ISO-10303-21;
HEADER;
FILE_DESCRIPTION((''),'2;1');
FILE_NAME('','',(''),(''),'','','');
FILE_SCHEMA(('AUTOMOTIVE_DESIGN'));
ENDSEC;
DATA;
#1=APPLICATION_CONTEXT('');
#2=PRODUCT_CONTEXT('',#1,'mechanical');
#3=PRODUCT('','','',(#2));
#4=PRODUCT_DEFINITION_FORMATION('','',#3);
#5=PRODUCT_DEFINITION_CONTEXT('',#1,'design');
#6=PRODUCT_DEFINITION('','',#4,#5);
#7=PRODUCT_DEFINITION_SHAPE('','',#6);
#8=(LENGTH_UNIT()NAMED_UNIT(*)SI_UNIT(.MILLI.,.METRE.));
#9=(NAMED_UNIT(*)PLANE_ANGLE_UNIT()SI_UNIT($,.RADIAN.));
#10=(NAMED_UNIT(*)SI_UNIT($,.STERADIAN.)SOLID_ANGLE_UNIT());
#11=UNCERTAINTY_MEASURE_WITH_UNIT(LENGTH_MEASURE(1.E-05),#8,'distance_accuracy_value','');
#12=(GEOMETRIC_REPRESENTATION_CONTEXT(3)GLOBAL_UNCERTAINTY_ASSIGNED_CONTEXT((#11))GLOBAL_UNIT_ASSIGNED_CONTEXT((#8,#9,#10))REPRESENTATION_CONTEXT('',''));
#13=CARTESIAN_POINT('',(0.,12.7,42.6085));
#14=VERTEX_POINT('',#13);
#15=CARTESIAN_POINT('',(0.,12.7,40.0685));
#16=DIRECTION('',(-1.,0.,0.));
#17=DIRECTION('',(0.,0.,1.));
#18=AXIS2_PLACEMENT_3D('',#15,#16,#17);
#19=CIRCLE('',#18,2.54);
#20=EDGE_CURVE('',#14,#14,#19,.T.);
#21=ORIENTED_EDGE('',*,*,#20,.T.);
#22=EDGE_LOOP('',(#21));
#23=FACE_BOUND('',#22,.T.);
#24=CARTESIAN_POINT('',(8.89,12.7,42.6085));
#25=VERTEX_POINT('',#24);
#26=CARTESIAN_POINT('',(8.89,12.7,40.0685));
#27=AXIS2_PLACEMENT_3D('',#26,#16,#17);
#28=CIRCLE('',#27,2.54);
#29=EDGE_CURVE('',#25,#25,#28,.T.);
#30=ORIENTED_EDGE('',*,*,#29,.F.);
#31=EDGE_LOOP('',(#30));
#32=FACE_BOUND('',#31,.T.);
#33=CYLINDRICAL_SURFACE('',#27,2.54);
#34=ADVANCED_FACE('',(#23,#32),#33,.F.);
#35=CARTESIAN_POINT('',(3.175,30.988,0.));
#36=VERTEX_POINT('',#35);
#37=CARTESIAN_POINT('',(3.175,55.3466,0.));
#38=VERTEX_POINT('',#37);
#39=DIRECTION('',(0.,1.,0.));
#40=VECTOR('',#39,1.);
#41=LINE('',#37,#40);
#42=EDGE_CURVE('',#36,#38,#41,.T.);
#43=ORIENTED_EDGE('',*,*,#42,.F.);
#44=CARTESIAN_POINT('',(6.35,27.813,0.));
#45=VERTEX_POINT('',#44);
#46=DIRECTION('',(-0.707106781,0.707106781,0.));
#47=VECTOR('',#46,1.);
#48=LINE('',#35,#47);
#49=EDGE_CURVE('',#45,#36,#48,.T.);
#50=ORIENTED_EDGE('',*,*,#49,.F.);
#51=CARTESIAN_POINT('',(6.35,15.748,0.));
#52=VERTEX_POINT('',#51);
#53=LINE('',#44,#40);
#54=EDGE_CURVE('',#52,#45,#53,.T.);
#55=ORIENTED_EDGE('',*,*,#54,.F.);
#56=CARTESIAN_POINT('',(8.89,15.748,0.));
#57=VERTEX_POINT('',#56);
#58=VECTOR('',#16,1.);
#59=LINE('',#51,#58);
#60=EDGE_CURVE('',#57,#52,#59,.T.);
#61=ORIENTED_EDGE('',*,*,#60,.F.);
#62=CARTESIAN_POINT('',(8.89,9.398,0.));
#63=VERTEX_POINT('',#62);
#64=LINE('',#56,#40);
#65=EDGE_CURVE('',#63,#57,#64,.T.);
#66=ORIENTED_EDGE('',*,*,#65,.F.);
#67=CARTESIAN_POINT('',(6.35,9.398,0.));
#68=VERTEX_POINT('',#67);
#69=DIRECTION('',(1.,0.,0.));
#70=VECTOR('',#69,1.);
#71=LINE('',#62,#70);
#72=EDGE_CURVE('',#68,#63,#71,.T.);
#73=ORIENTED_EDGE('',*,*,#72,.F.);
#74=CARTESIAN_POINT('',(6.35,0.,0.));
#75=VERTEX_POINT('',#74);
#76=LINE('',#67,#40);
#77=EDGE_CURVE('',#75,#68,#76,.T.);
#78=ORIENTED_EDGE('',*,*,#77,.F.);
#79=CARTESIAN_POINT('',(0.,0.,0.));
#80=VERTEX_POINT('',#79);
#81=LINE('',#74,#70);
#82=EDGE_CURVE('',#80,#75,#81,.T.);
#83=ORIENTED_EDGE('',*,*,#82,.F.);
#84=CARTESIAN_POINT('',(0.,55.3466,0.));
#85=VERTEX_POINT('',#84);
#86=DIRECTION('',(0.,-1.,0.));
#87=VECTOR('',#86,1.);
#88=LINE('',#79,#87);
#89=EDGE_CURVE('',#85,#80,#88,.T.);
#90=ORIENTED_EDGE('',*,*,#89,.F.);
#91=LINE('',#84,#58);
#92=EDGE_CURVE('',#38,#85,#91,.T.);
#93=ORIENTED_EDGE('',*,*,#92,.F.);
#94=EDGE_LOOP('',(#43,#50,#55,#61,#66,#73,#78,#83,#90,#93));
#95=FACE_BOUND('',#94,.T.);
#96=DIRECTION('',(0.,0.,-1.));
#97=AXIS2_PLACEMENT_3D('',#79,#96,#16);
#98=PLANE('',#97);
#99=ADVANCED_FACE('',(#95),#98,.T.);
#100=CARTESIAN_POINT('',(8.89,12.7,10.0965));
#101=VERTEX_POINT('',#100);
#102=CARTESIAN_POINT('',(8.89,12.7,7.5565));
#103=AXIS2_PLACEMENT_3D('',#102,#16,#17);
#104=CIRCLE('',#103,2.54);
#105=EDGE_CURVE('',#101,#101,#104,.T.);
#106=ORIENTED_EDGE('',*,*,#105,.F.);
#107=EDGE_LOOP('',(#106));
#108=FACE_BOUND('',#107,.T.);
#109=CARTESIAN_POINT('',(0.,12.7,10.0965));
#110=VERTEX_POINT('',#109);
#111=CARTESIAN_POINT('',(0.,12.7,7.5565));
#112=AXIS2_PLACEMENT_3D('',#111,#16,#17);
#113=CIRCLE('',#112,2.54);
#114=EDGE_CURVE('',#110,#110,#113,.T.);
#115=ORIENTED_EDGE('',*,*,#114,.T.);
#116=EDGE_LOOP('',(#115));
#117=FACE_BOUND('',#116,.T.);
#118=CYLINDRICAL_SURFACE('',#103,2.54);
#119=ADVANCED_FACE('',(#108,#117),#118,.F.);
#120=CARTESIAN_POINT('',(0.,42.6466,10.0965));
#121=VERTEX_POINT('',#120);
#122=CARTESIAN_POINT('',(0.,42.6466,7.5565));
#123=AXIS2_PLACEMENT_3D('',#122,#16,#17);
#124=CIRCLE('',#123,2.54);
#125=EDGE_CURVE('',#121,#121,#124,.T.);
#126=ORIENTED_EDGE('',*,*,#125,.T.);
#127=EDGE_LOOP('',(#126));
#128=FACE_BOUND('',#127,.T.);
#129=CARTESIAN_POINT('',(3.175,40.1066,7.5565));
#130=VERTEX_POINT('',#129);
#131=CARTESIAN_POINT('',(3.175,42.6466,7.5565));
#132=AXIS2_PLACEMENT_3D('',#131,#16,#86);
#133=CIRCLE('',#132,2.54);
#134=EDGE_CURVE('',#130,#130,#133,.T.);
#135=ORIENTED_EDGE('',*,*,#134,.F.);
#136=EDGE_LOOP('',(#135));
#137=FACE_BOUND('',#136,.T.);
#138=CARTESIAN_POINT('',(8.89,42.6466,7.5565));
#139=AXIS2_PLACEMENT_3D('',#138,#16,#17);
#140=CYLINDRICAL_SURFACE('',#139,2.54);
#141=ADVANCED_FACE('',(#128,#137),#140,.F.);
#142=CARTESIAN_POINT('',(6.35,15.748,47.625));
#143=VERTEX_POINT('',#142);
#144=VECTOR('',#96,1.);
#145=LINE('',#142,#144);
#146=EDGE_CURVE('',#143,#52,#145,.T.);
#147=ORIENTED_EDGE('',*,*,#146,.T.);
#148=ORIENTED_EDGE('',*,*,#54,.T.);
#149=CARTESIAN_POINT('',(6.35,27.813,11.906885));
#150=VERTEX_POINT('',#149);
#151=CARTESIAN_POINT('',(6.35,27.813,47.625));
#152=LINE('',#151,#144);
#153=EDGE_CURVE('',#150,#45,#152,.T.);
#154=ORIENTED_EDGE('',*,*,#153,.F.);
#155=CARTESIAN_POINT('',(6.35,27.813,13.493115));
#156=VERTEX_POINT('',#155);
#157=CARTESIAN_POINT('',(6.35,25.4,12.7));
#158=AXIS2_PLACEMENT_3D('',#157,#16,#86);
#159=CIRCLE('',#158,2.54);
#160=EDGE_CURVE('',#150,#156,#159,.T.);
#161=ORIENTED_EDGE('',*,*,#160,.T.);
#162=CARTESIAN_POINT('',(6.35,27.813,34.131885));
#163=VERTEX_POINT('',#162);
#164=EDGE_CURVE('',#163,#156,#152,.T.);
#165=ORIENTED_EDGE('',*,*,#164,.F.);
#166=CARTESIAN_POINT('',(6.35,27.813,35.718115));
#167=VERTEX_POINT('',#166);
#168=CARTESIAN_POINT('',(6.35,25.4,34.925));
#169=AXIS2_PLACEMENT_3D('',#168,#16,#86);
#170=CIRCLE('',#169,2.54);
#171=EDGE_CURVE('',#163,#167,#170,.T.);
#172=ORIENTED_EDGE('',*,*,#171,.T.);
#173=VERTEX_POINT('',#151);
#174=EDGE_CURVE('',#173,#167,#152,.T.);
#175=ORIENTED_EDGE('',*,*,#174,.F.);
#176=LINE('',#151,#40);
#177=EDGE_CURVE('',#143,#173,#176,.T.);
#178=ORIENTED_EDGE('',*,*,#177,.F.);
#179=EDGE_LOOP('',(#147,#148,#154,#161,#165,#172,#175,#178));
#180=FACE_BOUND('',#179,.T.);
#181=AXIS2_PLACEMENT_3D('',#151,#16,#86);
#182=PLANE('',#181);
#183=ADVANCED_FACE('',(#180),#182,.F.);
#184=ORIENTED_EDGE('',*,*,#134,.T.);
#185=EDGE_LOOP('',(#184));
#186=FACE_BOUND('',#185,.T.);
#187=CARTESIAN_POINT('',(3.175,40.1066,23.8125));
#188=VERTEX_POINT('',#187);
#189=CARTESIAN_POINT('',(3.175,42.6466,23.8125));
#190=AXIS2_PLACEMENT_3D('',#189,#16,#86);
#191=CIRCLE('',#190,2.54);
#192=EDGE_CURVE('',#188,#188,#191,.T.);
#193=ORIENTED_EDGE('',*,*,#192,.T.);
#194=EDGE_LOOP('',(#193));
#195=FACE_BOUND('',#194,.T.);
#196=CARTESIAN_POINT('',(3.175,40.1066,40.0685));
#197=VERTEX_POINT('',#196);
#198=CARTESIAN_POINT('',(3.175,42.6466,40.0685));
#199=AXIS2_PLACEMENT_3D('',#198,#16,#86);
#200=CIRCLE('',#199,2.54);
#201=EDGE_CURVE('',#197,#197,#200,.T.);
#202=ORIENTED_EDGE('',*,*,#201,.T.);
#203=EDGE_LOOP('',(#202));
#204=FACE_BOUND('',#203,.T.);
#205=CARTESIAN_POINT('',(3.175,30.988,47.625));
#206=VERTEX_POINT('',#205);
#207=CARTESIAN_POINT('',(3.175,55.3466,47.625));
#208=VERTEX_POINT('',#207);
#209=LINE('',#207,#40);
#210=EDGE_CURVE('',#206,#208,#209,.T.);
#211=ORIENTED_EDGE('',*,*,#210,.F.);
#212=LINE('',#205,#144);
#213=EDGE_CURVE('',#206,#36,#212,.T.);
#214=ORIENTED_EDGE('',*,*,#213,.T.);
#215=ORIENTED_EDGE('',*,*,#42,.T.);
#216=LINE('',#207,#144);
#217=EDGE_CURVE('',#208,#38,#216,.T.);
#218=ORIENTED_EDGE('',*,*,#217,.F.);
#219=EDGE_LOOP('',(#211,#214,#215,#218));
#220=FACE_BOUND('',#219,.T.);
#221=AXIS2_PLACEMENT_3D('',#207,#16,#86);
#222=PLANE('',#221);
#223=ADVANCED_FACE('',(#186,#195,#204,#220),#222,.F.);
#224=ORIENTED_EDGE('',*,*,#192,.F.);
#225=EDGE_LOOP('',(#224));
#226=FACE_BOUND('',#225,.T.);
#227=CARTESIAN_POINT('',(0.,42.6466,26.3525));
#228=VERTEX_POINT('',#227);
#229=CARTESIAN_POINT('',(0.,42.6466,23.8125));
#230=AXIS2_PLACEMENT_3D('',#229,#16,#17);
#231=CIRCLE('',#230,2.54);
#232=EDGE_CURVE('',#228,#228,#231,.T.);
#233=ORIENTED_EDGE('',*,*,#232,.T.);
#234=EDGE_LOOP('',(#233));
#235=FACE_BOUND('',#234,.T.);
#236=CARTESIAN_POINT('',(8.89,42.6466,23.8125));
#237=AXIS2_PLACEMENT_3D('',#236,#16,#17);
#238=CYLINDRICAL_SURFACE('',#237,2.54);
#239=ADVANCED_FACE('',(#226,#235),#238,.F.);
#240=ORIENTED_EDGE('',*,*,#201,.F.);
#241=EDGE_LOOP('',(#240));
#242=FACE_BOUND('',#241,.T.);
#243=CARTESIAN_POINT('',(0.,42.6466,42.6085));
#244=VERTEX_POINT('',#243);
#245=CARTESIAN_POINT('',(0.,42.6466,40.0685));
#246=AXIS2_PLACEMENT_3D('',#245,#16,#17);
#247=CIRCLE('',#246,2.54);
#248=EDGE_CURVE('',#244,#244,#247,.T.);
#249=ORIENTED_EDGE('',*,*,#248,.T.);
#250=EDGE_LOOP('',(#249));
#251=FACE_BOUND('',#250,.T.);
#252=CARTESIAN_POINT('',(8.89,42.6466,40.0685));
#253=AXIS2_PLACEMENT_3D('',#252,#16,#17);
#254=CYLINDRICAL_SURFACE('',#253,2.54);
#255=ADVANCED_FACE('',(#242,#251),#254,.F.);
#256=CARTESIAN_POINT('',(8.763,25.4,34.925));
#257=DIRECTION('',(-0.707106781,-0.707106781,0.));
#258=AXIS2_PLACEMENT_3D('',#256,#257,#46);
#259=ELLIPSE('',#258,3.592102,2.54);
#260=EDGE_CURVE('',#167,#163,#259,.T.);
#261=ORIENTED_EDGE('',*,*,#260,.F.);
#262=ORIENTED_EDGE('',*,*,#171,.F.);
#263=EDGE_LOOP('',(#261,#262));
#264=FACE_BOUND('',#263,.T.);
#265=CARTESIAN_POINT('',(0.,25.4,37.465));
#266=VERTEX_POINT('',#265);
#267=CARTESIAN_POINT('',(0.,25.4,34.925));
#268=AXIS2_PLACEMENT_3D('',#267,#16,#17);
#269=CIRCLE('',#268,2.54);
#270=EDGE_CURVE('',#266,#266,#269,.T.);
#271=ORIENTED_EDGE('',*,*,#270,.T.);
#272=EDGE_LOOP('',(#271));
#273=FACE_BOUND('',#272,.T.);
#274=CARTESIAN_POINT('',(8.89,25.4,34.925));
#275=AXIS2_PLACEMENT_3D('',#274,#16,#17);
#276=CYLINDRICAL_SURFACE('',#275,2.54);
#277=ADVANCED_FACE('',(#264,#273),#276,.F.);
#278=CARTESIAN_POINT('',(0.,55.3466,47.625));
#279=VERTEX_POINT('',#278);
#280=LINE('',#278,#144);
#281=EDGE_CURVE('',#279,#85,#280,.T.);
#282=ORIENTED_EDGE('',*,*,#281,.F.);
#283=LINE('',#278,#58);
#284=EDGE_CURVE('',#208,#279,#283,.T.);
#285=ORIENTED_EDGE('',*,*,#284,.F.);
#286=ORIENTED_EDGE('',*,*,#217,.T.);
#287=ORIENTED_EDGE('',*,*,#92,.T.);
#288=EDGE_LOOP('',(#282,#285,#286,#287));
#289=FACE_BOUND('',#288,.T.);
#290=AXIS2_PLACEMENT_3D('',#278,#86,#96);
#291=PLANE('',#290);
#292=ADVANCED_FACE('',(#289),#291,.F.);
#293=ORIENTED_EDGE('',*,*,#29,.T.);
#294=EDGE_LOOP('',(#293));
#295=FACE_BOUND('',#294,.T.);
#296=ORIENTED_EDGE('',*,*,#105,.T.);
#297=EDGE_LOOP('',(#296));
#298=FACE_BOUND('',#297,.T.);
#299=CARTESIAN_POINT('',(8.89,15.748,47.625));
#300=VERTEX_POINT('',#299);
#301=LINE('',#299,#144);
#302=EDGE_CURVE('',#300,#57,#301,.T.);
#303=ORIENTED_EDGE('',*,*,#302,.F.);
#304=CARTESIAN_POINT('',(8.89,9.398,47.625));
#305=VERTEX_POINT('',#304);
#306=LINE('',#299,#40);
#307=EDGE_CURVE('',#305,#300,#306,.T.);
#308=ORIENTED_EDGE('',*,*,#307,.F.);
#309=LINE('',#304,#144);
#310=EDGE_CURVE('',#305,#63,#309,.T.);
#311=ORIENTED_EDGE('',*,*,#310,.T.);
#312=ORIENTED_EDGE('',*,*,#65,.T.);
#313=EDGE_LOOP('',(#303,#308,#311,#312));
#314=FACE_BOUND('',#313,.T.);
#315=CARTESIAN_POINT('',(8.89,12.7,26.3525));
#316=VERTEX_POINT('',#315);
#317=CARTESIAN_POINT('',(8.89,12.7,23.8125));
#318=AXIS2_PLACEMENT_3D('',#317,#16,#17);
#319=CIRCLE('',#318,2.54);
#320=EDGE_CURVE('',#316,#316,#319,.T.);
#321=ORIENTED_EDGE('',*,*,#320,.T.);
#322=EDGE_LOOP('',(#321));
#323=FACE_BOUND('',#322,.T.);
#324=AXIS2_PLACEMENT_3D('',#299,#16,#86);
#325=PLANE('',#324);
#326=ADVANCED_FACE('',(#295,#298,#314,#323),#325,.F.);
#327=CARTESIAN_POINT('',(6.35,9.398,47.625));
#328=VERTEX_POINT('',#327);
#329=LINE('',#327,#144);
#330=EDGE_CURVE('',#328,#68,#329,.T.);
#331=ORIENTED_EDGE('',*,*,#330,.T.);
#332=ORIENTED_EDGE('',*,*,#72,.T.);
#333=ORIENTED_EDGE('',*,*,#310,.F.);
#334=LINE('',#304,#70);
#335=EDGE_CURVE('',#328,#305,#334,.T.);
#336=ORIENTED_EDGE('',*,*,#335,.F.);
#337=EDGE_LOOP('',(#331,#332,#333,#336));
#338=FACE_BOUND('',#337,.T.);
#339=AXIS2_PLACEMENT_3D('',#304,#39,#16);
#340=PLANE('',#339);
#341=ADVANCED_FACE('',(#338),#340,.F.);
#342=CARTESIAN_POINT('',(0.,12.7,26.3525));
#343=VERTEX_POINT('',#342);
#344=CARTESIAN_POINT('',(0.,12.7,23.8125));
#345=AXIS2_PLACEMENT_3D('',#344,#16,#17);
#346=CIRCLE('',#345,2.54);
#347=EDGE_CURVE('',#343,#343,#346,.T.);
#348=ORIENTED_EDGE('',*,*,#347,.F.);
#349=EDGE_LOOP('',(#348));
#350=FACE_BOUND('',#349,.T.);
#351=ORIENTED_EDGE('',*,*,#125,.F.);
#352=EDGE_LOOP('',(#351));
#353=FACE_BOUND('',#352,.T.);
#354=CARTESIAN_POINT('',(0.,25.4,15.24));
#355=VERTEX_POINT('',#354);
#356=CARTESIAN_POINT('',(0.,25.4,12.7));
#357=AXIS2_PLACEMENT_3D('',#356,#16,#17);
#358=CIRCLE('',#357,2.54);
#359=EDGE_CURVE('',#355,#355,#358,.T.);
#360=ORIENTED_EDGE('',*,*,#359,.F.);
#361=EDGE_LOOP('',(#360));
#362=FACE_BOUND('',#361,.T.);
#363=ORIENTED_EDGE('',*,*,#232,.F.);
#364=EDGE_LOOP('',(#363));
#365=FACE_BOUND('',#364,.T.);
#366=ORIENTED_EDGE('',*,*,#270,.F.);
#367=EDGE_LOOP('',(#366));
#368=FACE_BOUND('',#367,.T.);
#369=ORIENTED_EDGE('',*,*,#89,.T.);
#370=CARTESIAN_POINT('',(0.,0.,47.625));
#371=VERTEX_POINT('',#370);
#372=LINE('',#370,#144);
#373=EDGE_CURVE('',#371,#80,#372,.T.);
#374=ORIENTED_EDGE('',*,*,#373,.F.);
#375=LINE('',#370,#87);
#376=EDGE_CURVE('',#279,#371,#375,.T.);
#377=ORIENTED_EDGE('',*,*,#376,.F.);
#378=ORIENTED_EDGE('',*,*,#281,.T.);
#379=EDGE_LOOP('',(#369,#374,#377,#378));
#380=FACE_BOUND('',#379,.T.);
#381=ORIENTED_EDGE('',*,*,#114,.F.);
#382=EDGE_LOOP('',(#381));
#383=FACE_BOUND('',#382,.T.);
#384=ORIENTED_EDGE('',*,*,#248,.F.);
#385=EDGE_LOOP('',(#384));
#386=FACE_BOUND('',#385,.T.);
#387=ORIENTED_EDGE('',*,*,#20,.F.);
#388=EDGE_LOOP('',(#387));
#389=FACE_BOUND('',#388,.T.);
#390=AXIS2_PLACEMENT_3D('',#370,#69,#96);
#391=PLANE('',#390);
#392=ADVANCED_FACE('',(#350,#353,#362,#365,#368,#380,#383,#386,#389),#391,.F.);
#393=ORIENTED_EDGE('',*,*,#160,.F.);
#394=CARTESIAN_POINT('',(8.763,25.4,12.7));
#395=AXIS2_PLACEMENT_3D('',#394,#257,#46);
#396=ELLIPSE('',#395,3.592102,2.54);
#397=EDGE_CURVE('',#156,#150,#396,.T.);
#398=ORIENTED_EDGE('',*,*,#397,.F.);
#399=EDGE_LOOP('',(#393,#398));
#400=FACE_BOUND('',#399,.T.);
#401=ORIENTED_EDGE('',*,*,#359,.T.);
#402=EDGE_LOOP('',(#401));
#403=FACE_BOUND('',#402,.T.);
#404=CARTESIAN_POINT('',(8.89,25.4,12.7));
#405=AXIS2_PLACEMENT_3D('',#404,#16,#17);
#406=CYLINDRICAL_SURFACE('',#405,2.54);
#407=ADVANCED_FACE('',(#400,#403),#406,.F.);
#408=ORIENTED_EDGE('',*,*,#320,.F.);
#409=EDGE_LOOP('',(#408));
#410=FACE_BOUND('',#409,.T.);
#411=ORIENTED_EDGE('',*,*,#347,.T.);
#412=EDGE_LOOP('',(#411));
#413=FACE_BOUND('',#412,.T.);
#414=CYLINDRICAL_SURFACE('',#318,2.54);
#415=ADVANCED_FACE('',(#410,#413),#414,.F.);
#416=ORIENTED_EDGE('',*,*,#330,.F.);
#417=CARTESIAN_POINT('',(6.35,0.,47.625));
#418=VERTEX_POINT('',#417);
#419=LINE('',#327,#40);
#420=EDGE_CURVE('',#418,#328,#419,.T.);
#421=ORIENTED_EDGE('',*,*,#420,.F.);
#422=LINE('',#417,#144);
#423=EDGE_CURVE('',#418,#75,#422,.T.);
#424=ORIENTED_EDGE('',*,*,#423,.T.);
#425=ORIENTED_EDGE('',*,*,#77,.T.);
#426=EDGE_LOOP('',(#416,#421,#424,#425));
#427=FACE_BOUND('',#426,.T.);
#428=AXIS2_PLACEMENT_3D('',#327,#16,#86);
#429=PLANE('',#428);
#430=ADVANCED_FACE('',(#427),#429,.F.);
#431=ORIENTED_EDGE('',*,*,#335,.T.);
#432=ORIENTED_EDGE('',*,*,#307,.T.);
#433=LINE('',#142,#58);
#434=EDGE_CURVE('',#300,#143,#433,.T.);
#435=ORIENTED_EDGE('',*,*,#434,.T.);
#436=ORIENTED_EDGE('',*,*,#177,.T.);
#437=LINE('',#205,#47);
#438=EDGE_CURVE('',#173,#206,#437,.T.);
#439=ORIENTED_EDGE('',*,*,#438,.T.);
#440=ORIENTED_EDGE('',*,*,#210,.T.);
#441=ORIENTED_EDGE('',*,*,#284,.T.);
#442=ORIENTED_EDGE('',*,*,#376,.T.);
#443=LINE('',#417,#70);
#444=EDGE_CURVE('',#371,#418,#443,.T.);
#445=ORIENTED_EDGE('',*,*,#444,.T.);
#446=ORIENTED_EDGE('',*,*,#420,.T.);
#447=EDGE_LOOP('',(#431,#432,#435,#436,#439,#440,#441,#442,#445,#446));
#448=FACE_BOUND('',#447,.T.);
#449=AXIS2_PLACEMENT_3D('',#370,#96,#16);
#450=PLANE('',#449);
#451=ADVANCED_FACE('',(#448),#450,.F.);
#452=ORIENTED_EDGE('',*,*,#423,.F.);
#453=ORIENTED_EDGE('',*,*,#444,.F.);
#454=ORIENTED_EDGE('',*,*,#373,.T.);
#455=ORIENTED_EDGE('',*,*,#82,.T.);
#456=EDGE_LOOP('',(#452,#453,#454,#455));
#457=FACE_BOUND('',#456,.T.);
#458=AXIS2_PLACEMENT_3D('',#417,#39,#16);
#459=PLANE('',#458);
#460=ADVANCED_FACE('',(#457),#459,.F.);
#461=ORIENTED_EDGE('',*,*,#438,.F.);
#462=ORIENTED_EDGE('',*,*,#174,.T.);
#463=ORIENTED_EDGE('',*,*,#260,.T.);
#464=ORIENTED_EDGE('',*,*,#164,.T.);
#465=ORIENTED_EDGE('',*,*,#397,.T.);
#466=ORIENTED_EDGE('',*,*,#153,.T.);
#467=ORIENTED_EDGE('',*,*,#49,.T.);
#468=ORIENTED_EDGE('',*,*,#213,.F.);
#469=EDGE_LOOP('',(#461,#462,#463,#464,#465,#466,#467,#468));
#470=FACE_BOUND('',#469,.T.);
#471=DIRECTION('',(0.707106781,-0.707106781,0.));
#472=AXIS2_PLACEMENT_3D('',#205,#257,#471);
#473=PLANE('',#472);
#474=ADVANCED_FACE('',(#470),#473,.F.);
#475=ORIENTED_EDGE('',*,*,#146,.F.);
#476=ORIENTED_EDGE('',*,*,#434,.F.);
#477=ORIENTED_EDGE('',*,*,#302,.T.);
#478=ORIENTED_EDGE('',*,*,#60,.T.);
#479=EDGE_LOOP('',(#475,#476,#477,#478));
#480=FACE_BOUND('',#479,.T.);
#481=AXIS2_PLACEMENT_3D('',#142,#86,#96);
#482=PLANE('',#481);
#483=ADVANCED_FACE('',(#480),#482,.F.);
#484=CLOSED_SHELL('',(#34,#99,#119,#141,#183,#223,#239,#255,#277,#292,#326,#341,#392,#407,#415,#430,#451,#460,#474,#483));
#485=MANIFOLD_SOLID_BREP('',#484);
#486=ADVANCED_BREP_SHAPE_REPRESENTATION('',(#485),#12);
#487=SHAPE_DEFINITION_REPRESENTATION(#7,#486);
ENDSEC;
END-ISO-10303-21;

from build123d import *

# Parameters (mm, degrees)
BOSS_EXTRUDE1_DEPTH = 47.625
SKETCH2_R           = 2.54
CUT_EXTRUDE1_DEPTH  = 9.89


with BuildPart() as part:
    # Sketch1 → Boss-Extrude1 (new body)
    with BuildSketch(Plane.XY):
        Polygon((0, 0), (0, 55.3466), (3.175, 55.3466), (3.175, 30.988), (6.35, 27.813), (6.35, 15.748), (8.89, 15.748), (8.89, 9.398), (6.35, 9.398), (6.35, 0), align=None)
    extrude(amount=BOSS_EXTRUDE1_DEPTH)

    # Sketch2 → Cut-Extrude1 (cut, through all)
    with BuildSketch(Plane.ZY):
        with Locations((40.0685, 12.7)):
            Circle(SKETCH2_R)
        with Locations((7.5565, 12.7)):
            Circle(SKETCH2_R)
        with Locations((12.7, 25.4)):
            Circle(SKETCH2_R)
        with Locations((34.925, 25.4)):
            Circle(SKETCH2_R)
        with Locations((7.5565, 42.6466)):
            Circle(SKETCH2_R)
        with Locations((40.0685, 42.6466)):
            Circle(SKETCH2_R)
        with Locations((23.8125, 12.7)):
            Circle(SKETCH2_R)
        with Locations((23.8125, 42.6466)):
            Circle(SKETCH2_R)
    extrude(amount=-CUT_EXTRUDE1_DEPTH, mode=Mode.SUBTRACT)


solid = part.part
